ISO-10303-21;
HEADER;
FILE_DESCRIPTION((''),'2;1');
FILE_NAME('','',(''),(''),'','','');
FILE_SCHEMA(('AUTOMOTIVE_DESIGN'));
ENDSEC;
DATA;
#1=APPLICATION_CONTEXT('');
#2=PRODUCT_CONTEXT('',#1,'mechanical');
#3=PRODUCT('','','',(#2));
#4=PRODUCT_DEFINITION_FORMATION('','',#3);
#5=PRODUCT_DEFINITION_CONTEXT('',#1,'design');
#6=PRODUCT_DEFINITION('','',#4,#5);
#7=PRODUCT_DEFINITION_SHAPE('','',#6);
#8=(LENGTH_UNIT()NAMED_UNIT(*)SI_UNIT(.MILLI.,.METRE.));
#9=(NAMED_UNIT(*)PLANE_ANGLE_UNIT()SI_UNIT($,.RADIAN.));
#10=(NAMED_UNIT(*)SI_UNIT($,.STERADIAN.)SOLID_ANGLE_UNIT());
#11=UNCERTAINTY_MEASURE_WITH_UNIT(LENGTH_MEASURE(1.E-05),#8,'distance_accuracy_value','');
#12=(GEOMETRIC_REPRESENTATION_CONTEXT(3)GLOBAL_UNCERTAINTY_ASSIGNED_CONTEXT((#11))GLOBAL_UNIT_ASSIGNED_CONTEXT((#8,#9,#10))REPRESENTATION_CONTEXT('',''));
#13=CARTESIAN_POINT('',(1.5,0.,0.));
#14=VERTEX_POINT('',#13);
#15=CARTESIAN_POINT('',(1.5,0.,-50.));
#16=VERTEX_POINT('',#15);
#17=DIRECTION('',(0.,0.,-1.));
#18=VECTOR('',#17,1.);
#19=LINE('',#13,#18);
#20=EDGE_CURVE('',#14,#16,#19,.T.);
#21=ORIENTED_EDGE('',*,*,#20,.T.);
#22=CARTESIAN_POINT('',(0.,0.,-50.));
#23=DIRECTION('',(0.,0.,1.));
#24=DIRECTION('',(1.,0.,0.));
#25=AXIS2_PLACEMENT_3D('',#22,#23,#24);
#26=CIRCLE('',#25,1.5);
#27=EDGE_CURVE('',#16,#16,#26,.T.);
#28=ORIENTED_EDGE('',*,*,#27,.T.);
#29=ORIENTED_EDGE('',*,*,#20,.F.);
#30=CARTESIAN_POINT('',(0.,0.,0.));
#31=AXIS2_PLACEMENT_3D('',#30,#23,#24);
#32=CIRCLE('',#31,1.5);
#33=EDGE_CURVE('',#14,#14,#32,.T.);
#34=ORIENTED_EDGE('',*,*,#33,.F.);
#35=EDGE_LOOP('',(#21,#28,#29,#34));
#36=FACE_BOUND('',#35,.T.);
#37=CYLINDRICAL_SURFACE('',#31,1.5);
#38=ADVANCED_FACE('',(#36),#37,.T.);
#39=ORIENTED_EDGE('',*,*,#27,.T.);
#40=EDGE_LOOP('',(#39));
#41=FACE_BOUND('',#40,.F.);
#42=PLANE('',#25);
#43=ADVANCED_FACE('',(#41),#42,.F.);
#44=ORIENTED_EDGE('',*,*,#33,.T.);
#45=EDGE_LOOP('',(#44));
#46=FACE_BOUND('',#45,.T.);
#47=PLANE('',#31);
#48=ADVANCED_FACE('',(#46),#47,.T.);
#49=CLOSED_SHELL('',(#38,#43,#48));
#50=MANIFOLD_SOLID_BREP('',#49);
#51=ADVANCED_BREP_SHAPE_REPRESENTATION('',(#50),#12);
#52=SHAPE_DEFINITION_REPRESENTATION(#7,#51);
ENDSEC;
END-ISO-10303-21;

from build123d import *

# Parameters (mm, degrees)
SKETCH_1_R      = 1.5
EXTRUDE_1_DEPTH = 50


with BuildPart() as part:
    # 草图1 → 凸台-拉伸1 (new body)
    with BuildSketch(Plane.XY):
        Circle(SKETCH_1_R)
    extrude(amount=-EXTRUDE_1_DEPTH)


solid = part.part
